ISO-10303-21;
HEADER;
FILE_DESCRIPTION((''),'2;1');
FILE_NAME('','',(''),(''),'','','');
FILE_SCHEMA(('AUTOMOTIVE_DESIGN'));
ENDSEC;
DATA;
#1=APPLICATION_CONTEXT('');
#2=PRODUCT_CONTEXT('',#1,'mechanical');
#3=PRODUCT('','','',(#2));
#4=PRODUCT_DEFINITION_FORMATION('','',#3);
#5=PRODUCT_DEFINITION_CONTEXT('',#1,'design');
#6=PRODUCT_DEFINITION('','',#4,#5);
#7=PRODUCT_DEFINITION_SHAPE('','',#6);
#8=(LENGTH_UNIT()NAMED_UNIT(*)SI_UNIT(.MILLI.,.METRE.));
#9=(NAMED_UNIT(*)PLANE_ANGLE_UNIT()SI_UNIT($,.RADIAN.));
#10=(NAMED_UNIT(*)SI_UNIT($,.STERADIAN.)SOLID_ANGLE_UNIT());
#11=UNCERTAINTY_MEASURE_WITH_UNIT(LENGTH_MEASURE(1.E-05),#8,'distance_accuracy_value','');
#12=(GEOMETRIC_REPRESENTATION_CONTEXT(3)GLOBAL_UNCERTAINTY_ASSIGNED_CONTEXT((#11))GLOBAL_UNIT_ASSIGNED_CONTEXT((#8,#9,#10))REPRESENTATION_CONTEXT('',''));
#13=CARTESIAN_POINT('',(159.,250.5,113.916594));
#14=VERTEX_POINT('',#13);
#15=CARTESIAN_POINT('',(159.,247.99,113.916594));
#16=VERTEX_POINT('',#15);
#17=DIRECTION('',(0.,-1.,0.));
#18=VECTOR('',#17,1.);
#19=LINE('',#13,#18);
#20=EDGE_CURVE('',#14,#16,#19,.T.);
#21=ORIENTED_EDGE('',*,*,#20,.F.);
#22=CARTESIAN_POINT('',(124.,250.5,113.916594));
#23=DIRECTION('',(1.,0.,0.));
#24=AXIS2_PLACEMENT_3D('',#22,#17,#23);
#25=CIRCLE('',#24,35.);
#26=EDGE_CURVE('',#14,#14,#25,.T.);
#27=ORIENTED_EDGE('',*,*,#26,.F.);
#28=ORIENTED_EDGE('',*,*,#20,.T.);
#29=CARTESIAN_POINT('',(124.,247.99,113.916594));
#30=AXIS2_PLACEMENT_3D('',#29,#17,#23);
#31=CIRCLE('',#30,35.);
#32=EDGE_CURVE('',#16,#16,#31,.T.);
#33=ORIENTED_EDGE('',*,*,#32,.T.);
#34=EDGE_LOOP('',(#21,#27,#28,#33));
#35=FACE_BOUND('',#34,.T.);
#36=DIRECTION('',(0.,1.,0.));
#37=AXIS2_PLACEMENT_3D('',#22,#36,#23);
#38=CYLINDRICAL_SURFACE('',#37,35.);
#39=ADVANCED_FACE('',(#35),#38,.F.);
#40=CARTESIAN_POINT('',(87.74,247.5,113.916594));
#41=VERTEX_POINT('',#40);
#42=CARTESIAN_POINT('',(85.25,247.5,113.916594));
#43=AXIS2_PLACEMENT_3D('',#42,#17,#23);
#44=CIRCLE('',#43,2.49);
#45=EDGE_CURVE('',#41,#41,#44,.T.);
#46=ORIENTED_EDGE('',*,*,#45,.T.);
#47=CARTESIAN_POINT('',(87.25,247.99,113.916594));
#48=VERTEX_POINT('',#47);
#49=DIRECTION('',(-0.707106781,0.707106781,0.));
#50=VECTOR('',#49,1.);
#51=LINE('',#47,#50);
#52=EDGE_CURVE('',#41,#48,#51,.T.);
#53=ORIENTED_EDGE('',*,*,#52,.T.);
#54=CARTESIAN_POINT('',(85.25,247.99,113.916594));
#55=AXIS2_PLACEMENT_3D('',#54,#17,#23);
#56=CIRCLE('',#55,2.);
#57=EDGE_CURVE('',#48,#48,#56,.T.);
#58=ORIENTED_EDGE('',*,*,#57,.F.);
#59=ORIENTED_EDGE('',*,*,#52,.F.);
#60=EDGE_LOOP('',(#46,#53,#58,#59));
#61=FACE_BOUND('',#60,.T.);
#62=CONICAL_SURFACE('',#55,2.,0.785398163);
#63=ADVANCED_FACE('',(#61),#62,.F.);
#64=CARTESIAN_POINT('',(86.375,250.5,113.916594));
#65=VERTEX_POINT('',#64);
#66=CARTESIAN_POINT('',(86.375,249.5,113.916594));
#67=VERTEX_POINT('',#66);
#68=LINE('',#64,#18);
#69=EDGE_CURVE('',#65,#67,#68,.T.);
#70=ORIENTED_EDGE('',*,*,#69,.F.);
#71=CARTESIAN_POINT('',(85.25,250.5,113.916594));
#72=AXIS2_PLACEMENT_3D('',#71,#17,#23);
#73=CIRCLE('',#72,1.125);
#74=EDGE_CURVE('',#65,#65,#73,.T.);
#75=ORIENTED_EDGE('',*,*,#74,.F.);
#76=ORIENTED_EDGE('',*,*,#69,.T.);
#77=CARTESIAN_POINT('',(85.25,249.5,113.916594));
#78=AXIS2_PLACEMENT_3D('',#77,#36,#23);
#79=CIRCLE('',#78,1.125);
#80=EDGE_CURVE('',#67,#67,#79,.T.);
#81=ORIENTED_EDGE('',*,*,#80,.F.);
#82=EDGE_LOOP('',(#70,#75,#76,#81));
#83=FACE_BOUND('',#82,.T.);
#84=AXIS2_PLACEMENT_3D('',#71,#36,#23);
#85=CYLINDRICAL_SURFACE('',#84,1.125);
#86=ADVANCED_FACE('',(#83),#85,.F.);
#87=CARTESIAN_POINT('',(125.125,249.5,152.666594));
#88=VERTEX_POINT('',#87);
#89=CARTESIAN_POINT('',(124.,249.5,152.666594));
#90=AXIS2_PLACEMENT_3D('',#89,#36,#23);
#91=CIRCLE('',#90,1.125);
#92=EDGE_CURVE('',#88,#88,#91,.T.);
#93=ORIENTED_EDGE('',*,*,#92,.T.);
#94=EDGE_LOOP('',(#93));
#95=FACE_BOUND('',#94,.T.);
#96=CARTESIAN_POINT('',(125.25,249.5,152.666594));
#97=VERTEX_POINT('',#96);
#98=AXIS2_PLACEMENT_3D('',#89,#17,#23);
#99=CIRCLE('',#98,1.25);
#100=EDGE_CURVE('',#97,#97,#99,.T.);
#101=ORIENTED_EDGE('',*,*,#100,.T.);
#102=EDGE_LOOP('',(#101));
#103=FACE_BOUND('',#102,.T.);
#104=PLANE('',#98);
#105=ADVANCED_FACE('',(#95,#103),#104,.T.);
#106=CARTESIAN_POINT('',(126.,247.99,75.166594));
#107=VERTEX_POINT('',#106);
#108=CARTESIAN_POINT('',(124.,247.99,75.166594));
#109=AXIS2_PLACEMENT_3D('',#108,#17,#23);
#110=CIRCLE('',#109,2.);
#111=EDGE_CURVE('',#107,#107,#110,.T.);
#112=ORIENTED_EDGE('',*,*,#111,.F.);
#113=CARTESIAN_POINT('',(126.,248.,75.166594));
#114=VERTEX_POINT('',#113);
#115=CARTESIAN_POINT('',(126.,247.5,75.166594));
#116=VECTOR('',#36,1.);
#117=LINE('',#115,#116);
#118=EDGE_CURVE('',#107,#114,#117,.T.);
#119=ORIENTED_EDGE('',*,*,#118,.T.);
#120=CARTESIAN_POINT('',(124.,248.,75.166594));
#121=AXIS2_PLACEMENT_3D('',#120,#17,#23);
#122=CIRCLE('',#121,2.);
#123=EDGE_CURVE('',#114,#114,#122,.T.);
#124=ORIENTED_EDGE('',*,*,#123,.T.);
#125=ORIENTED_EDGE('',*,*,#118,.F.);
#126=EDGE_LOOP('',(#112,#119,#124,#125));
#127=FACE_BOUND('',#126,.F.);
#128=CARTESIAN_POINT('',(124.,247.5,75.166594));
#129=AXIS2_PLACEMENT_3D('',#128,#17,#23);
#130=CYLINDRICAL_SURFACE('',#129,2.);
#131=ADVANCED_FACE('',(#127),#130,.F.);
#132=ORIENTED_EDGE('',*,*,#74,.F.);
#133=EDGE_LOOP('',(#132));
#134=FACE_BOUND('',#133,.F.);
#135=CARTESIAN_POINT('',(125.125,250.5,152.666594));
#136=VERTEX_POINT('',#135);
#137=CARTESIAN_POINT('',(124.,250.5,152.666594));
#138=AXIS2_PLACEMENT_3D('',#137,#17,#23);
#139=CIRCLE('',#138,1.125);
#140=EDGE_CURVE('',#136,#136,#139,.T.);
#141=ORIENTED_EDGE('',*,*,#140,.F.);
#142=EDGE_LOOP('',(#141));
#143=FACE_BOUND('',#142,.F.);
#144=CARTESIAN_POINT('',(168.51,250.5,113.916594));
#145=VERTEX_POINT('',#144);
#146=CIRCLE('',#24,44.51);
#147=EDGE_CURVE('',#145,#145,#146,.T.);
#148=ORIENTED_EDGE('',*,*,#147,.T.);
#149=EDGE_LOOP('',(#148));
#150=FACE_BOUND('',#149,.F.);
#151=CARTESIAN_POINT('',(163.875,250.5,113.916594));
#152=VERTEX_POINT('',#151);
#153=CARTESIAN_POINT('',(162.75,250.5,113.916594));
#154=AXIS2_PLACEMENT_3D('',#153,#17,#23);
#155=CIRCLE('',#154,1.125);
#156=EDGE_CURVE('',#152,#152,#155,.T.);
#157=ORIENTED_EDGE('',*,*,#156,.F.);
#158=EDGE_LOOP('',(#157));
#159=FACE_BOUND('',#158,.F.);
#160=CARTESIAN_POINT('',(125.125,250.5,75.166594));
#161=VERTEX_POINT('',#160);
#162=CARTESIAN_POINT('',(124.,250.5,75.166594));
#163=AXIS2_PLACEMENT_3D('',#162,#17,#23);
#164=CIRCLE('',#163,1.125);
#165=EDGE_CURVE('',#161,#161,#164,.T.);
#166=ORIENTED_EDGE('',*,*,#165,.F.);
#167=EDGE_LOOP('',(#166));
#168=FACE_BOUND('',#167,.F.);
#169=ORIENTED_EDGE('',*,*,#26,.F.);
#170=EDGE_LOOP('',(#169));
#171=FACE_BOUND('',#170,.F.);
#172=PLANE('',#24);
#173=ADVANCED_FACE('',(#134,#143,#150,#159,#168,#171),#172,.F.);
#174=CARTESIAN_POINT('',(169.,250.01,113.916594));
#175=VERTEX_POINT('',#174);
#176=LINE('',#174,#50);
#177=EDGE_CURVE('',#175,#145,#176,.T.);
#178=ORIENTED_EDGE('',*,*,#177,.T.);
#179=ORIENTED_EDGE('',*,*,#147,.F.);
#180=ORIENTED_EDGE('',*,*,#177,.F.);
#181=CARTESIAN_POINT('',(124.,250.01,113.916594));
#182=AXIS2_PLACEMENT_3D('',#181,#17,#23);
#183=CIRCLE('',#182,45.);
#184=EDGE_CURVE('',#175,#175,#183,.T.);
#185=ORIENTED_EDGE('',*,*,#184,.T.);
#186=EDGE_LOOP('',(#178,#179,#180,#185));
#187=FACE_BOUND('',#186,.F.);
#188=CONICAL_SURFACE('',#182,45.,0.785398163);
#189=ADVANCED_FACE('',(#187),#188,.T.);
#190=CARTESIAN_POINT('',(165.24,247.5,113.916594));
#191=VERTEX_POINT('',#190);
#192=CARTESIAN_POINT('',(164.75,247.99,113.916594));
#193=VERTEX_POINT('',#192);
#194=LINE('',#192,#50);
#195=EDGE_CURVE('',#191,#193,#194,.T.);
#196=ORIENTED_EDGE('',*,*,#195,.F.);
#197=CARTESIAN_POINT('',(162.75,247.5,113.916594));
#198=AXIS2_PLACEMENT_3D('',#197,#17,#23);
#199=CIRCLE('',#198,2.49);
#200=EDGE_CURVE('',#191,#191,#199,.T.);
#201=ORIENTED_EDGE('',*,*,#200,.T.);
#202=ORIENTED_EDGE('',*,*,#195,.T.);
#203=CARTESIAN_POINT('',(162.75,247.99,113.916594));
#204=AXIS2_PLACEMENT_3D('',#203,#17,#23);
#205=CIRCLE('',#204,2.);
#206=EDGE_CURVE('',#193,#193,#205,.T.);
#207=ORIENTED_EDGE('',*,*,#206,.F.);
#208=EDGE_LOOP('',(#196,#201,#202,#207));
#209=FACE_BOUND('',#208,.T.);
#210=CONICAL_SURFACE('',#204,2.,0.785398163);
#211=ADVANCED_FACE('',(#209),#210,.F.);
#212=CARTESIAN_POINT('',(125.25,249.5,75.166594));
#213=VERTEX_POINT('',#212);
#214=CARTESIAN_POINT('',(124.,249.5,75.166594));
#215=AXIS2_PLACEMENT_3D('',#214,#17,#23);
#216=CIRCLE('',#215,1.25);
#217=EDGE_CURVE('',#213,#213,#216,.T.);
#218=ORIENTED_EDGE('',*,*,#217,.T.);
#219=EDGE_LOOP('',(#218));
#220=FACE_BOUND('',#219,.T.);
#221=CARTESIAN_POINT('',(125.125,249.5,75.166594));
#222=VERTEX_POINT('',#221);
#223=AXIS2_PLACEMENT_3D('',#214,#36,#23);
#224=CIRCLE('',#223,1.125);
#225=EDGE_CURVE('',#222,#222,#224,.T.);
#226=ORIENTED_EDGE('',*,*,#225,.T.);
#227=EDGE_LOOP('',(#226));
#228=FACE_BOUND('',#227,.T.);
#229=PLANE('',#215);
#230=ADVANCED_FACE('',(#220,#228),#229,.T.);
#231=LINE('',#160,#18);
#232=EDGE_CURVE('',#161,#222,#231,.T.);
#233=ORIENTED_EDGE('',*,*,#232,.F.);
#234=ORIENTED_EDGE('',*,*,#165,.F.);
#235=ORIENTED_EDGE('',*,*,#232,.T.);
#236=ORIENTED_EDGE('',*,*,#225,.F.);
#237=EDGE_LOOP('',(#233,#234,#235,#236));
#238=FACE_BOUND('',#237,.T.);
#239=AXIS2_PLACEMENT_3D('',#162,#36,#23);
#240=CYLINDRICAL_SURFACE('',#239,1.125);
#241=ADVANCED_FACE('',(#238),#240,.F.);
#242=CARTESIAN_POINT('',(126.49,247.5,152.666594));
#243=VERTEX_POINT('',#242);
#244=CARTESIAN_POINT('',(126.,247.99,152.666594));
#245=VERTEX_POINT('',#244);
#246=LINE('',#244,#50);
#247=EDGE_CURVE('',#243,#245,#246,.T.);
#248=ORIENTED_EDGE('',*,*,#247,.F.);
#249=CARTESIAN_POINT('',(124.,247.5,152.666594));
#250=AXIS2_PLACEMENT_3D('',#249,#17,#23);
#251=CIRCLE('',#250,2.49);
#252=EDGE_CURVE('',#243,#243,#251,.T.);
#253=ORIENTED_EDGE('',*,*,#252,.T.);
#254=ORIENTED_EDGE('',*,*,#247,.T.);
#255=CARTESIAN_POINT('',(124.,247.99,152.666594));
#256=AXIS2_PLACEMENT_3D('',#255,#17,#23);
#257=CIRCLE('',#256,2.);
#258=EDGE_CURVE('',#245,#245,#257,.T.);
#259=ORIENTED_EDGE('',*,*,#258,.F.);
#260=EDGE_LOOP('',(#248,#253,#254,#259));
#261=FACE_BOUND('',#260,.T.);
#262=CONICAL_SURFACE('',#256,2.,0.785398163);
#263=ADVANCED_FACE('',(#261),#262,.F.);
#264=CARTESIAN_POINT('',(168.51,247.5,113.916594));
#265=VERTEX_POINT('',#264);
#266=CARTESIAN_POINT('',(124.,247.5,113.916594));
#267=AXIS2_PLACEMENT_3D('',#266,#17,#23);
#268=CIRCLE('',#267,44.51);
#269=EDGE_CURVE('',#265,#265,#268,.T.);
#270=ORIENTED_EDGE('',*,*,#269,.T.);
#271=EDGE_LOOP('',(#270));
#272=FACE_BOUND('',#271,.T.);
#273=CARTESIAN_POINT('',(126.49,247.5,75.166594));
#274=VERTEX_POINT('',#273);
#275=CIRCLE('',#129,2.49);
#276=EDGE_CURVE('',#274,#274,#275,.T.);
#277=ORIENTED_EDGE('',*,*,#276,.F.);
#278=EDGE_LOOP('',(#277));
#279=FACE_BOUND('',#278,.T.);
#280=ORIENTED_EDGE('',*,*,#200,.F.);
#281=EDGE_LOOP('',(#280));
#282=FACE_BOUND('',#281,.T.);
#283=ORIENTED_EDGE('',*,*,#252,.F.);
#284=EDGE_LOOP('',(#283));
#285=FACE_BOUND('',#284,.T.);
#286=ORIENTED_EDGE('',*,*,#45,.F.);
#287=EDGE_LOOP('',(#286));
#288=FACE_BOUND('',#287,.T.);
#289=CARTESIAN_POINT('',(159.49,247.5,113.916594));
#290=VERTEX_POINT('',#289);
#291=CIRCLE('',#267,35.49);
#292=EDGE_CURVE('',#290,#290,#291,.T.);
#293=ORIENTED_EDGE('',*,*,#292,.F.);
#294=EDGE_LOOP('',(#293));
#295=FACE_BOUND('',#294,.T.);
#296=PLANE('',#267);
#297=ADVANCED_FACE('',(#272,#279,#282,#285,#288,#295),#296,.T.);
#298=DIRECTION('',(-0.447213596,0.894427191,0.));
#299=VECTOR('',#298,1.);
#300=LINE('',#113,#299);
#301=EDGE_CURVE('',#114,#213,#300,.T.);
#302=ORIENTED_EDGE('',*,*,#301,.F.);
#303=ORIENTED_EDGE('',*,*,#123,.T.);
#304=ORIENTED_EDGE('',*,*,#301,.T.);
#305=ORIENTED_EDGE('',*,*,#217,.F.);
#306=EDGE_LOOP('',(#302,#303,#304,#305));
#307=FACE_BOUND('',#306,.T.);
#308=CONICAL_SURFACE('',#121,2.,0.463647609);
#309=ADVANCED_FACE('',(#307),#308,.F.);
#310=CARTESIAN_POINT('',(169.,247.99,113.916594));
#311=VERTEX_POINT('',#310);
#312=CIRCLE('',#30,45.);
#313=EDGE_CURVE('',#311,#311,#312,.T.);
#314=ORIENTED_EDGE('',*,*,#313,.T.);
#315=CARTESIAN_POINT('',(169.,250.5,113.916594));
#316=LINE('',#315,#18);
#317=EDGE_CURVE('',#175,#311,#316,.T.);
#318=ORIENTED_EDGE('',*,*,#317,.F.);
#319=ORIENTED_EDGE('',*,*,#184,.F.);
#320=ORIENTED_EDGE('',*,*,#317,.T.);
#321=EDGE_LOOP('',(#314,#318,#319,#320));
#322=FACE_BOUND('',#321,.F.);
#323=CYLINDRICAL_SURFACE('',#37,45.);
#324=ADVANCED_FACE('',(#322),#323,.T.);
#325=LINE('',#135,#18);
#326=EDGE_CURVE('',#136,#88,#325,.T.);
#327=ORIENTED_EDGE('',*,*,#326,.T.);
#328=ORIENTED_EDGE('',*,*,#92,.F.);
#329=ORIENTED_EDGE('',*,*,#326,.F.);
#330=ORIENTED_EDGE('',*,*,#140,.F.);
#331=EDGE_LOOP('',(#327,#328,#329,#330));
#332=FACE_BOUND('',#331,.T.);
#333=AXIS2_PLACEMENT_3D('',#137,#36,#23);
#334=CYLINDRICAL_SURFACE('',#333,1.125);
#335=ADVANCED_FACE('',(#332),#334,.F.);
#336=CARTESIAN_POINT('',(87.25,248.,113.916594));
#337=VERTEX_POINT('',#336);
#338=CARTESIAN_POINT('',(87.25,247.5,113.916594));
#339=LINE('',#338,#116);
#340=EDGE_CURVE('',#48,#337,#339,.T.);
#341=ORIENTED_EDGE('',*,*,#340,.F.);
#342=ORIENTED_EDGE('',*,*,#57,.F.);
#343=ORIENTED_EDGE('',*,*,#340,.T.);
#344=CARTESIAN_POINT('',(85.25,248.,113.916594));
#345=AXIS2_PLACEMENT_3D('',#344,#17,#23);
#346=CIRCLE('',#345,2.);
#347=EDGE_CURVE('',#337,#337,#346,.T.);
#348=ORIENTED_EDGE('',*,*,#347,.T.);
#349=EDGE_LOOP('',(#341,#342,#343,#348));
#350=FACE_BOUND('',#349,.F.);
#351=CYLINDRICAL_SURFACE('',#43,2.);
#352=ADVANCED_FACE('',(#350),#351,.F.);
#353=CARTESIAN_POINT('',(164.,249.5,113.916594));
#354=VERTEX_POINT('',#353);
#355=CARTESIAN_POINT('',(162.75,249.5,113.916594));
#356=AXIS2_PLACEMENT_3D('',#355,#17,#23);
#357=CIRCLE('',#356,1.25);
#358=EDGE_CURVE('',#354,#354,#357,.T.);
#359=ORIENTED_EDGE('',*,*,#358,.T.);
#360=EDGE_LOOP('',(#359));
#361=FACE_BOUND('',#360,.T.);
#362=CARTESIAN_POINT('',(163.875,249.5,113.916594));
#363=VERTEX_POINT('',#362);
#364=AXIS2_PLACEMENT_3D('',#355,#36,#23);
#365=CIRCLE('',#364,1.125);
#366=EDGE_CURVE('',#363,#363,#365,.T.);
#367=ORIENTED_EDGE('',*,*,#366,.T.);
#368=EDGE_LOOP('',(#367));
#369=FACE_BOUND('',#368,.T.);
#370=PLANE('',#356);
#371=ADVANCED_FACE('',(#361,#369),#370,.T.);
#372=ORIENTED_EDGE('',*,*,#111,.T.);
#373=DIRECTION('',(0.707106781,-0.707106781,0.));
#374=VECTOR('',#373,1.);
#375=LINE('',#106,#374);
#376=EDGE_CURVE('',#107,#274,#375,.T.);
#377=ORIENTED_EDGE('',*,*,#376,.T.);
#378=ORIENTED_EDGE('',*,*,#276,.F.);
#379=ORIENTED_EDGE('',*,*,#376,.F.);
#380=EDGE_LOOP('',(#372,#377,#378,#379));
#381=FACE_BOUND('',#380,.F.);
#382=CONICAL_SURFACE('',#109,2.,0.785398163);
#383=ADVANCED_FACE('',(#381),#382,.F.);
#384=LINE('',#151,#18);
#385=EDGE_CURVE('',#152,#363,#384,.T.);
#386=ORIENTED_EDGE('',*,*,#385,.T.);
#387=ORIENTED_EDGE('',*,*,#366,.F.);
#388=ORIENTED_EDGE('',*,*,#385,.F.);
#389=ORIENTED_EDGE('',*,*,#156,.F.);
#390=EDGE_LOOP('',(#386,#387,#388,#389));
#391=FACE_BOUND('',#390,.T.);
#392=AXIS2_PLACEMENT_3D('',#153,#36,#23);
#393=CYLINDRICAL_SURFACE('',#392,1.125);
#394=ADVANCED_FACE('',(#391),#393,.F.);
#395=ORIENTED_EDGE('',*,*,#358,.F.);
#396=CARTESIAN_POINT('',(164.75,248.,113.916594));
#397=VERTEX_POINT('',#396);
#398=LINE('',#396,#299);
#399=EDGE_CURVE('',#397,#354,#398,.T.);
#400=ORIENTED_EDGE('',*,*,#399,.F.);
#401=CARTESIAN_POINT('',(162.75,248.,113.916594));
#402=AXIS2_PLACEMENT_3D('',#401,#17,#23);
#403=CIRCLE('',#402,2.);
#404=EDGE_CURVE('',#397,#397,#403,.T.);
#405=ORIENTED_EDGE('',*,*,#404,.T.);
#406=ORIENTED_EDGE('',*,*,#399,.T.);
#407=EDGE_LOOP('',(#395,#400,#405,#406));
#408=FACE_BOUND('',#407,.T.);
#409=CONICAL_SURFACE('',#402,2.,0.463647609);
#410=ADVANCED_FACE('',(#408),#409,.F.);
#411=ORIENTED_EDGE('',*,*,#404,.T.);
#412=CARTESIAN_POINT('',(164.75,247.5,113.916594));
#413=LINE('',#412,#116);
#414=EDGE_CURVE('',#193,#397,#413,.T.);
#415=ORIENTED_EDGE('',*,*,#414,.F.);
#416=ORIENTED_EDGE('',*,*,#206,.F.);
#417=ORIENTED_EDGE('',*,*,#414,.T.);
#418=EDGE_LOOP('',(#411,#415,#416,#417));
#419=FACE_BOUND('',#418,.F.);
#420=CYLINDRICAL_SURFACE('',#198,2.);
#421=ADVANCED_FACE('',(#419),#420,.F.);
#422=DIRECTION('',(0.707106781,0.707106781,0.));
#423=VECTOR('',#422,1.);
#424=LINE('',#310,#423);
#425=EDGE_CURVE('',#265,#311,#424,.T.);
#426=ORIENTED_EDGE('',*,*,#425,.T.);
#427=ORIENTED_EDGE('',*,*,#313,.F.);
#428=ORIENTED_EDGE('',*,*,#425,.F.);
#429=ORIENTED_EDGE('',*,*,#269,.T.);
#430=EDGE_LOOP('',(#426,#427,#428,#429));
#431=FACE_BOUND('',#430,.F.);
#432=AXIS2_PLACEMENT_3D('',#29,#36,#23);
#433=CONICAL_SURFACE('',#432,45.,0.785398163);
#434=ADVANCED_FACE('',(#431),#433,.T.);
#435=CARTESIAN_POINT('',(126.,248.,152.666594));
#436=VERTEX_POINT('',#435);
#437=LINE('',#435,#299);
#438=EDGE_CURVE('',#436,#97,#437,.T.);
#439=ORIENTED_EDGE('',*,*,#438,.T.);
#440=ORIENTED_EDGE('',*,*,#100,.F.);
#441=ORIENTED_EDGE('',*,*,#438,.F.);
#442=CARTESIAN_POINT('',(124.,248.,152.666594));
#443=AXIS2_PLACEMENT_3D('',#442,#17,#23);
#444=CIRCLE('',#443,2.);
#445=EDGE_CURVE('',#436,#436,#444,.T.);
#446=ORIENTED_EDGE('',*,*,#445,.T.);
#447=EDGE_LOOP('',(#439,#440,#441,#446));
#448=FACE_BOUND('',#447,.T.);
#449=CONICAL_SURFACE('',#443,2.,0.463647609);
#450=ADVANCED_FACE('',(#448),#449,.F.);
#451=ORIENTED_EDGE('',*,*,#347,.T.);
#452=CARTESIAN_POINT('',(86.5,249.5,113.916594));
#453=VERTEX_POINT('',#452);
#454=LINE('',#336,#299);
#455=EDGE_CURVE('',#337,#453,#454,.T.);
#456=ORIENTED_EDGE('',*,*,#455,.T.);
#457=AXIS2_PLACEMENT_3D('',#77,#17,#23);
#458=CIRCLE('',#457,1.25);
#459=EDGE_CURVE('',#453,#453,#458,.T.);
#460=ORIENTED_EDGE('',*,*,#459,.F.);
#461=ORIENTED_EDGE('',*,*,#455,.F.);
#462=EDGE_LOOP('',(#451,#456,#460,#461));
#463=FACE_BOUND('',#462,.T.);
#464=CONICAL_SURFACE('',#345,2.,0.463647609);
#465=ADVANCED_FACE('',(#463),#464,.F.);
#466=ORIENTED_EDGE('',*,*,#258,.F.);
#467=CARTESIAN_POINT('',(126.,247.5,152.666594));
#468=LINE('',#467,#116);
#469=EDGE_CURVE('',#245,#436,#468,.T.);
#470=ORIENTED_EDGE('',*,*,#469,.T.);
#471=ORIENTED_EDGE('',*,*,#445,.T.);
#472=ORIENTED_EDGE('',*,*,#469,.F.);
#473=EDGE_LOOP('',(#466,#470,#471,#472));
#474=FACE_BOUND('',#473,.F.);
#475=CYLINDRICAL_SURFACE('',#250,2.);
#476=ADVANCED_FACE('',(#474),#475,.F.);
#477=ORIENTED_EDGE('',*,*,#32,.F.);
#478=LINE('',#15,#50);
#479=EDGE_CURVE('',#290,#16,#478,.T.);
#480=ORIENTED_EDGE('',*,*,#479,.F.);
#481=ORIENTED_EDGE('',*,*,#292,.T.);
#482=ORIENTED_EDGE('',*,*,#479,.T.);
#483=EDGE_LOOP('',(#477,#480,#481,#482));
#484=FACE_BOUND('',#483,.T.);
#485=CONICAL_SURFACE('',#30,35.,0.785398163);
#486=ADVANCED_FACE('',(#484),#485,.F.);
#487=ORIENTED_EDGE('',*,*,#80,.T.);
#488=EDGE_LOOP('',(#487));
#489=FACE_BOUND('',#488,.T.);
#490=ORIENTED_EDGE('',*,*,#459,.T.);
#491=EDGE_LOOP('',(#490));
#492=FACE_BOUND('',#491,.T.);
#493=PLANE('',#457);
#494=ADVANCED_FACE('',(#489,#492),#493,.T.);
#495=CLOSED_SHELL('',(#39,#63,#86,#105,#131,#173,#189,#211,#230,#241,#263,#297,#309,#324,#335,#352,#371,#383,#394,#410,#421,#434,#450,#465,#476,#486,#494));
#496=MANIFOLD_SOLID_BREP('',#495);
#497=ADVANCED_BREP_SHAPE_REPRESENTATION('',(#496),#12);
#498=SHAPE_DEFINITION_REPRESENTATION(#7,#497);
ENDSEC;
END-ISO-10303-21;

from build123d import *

# Parameters (mm, degrees)
SKETCH058_R        = 45
SKETCH058_R_2      = 35
SKETCH058_R_3      = 1.125
PAD018_DEPTH       = 3
SKETCH059_R        = 2
POCKET040_DEPTH    = 2
CHAMFER010_1_SIZE2 = 0.75
CHAMFER010_1_SIZE  = 1.5
CHAMFER010_2_SIZE2 = 0.75
CHAMFER010_2_SIZE  = 1.5
CHAMFER010_3_SIZE2 = 0.75
CHAMFER010_3_SIZE  = 1.5
CHAMFER010_4_SIZE2 = 0.75
CHAMFER010_4_SIZE  = 1.5
CHAMFER011_SIZE    = 0.49


with BuildPart() as part:
    # Sketch058 (on Face1 of ShapeBinder010) → Pad018 (new body)
    with BuildSketch(Plane(origin=(248, 250.5, 0), x_dir=(1, 0, 0), z_dir=(0, -1, 0))):
        with Locations((-124, 113.916594)):
            Circle(SKETCH058_R)
        with Locations((-124, 113.916594)):
            Circle(SKETCH058_R_2, mode=Mode.SUBTRACT)
        with Locations((-162.75, 113.916594)):
            Circle(SKETCH058_R_3, mode=Mode.SUBTRACT)
        with Locations((-124, 152.666594)):
            Circle(SKETCH058_R_3, mode=Mode.SUBTRACT)
        with Locations((-85.25, 113.916594)):
            Circle(SKETCH058_R_3, mode=Mode.SUBTRACT)
        with Locations((-124, 75.166594)):
            Circle(SKETCH058_R_3, mode=Mode.SUBTRACT)
    extrude(amount=PAD018_DEPTH)

    # Sketch059 (on Face8 of Pad018) → Pocket040 (cut)
    with BuildSketch(Plane(origin=(248, 247.5, 0), x_dir=(1, 0, 0), z_dir=(0, -1, 0))):
        with Locations((-85.25, 113.916594)):
            Circle(SKETCH059_R)
        with Locations((-124, 152.666594)):
            Circle(SKETCH059_R)
        with Locations((-162.75, 113.916594)):
            Circle(SKETCH059_R)
        with Locations((-124, 75.166594)):
            Circle(SKETCH059_R)
    extrude(amount=-POCKET040_DEPTH, mode=Mode.SUBTRACT)

    # Chamfer010 1
    chamfer010_1_edges = [part.edges().sort_by_distance(p)[0] for p in [
        (160.75, 249.5, 113.916594),
    ]]
    chamfer010_1_side = part.faces().sort_by_distance((160.75, 248.5, 113.916594))[0]
    chamfer(chamfer010_1_edges, length=CHAMFER010_1_SIZE, length2=CHAMFER010_1_SIZE2, reference=chamfer010_1_side)

    # Chamfer010 2
    chamfer010_2_edges = [part.edges().sort_by_distance(p)[0] for p in [
        (83.25, 249.5, 113.916594),
    ]]
    chamfer010_2_side = part.faces().sort_by_distance((83.25, 248.5, 113.916594))[0]
    chamfer(chamfer010_2_edges, length=CHAMFER010_2_SIZE, length2=CHAMFER010_2_SIZE2, reference=chamfer010_2_side)

    # Chamfer010 3
    chamfer010_3_edges = [part.edges().sort_by_distance(p)[0] for p in [
        (122, 249.5, 152.666594),
    ]]
    chamfer010_3_side = part.faces().sort_by_distance((122, 248.5, 152.666594))[0]
    chamfer(chamfer010_3_edges, length=CHAMFER010_3_SIZE, length2=CHAMFER010_3_SIZE2, reference=chamfer010_3_side)

    # Chamfer010 4
    chamfer010_4_edges = [part.edges().sort_by_distance(p)[0] for p in [
        (122, 249.5, 75.166594),
    ]]
    chamfer010_4_side = part.faces().sort_by_distance((122, 248.5, 75.166594))[0]
    chamfer(chamfer010_4_edges, length=CHAMFER010_4_SIZE, length2=CHAMFER010_4_SIZE2, reference=chamfer010_4_side)

    # Chamfer011
    chamfer011_edges = [part.edges().sort_by_distance(p)[0] for p in [
        (79, 250.5, 113.916594),
        (79, 247.5, 113.916594),
        (122, 247.5, 152.666594),
        (83.25, 247.5, 113.916594),
        (122, 247.5, 75.166594),
        (89, 247.5, 113.916594),
        (160.75, 247.5, 113.916594),
    ]]
    chamfer(chamfer011_edges, length=CHAMFER011_SIZE)


solid = part.part
